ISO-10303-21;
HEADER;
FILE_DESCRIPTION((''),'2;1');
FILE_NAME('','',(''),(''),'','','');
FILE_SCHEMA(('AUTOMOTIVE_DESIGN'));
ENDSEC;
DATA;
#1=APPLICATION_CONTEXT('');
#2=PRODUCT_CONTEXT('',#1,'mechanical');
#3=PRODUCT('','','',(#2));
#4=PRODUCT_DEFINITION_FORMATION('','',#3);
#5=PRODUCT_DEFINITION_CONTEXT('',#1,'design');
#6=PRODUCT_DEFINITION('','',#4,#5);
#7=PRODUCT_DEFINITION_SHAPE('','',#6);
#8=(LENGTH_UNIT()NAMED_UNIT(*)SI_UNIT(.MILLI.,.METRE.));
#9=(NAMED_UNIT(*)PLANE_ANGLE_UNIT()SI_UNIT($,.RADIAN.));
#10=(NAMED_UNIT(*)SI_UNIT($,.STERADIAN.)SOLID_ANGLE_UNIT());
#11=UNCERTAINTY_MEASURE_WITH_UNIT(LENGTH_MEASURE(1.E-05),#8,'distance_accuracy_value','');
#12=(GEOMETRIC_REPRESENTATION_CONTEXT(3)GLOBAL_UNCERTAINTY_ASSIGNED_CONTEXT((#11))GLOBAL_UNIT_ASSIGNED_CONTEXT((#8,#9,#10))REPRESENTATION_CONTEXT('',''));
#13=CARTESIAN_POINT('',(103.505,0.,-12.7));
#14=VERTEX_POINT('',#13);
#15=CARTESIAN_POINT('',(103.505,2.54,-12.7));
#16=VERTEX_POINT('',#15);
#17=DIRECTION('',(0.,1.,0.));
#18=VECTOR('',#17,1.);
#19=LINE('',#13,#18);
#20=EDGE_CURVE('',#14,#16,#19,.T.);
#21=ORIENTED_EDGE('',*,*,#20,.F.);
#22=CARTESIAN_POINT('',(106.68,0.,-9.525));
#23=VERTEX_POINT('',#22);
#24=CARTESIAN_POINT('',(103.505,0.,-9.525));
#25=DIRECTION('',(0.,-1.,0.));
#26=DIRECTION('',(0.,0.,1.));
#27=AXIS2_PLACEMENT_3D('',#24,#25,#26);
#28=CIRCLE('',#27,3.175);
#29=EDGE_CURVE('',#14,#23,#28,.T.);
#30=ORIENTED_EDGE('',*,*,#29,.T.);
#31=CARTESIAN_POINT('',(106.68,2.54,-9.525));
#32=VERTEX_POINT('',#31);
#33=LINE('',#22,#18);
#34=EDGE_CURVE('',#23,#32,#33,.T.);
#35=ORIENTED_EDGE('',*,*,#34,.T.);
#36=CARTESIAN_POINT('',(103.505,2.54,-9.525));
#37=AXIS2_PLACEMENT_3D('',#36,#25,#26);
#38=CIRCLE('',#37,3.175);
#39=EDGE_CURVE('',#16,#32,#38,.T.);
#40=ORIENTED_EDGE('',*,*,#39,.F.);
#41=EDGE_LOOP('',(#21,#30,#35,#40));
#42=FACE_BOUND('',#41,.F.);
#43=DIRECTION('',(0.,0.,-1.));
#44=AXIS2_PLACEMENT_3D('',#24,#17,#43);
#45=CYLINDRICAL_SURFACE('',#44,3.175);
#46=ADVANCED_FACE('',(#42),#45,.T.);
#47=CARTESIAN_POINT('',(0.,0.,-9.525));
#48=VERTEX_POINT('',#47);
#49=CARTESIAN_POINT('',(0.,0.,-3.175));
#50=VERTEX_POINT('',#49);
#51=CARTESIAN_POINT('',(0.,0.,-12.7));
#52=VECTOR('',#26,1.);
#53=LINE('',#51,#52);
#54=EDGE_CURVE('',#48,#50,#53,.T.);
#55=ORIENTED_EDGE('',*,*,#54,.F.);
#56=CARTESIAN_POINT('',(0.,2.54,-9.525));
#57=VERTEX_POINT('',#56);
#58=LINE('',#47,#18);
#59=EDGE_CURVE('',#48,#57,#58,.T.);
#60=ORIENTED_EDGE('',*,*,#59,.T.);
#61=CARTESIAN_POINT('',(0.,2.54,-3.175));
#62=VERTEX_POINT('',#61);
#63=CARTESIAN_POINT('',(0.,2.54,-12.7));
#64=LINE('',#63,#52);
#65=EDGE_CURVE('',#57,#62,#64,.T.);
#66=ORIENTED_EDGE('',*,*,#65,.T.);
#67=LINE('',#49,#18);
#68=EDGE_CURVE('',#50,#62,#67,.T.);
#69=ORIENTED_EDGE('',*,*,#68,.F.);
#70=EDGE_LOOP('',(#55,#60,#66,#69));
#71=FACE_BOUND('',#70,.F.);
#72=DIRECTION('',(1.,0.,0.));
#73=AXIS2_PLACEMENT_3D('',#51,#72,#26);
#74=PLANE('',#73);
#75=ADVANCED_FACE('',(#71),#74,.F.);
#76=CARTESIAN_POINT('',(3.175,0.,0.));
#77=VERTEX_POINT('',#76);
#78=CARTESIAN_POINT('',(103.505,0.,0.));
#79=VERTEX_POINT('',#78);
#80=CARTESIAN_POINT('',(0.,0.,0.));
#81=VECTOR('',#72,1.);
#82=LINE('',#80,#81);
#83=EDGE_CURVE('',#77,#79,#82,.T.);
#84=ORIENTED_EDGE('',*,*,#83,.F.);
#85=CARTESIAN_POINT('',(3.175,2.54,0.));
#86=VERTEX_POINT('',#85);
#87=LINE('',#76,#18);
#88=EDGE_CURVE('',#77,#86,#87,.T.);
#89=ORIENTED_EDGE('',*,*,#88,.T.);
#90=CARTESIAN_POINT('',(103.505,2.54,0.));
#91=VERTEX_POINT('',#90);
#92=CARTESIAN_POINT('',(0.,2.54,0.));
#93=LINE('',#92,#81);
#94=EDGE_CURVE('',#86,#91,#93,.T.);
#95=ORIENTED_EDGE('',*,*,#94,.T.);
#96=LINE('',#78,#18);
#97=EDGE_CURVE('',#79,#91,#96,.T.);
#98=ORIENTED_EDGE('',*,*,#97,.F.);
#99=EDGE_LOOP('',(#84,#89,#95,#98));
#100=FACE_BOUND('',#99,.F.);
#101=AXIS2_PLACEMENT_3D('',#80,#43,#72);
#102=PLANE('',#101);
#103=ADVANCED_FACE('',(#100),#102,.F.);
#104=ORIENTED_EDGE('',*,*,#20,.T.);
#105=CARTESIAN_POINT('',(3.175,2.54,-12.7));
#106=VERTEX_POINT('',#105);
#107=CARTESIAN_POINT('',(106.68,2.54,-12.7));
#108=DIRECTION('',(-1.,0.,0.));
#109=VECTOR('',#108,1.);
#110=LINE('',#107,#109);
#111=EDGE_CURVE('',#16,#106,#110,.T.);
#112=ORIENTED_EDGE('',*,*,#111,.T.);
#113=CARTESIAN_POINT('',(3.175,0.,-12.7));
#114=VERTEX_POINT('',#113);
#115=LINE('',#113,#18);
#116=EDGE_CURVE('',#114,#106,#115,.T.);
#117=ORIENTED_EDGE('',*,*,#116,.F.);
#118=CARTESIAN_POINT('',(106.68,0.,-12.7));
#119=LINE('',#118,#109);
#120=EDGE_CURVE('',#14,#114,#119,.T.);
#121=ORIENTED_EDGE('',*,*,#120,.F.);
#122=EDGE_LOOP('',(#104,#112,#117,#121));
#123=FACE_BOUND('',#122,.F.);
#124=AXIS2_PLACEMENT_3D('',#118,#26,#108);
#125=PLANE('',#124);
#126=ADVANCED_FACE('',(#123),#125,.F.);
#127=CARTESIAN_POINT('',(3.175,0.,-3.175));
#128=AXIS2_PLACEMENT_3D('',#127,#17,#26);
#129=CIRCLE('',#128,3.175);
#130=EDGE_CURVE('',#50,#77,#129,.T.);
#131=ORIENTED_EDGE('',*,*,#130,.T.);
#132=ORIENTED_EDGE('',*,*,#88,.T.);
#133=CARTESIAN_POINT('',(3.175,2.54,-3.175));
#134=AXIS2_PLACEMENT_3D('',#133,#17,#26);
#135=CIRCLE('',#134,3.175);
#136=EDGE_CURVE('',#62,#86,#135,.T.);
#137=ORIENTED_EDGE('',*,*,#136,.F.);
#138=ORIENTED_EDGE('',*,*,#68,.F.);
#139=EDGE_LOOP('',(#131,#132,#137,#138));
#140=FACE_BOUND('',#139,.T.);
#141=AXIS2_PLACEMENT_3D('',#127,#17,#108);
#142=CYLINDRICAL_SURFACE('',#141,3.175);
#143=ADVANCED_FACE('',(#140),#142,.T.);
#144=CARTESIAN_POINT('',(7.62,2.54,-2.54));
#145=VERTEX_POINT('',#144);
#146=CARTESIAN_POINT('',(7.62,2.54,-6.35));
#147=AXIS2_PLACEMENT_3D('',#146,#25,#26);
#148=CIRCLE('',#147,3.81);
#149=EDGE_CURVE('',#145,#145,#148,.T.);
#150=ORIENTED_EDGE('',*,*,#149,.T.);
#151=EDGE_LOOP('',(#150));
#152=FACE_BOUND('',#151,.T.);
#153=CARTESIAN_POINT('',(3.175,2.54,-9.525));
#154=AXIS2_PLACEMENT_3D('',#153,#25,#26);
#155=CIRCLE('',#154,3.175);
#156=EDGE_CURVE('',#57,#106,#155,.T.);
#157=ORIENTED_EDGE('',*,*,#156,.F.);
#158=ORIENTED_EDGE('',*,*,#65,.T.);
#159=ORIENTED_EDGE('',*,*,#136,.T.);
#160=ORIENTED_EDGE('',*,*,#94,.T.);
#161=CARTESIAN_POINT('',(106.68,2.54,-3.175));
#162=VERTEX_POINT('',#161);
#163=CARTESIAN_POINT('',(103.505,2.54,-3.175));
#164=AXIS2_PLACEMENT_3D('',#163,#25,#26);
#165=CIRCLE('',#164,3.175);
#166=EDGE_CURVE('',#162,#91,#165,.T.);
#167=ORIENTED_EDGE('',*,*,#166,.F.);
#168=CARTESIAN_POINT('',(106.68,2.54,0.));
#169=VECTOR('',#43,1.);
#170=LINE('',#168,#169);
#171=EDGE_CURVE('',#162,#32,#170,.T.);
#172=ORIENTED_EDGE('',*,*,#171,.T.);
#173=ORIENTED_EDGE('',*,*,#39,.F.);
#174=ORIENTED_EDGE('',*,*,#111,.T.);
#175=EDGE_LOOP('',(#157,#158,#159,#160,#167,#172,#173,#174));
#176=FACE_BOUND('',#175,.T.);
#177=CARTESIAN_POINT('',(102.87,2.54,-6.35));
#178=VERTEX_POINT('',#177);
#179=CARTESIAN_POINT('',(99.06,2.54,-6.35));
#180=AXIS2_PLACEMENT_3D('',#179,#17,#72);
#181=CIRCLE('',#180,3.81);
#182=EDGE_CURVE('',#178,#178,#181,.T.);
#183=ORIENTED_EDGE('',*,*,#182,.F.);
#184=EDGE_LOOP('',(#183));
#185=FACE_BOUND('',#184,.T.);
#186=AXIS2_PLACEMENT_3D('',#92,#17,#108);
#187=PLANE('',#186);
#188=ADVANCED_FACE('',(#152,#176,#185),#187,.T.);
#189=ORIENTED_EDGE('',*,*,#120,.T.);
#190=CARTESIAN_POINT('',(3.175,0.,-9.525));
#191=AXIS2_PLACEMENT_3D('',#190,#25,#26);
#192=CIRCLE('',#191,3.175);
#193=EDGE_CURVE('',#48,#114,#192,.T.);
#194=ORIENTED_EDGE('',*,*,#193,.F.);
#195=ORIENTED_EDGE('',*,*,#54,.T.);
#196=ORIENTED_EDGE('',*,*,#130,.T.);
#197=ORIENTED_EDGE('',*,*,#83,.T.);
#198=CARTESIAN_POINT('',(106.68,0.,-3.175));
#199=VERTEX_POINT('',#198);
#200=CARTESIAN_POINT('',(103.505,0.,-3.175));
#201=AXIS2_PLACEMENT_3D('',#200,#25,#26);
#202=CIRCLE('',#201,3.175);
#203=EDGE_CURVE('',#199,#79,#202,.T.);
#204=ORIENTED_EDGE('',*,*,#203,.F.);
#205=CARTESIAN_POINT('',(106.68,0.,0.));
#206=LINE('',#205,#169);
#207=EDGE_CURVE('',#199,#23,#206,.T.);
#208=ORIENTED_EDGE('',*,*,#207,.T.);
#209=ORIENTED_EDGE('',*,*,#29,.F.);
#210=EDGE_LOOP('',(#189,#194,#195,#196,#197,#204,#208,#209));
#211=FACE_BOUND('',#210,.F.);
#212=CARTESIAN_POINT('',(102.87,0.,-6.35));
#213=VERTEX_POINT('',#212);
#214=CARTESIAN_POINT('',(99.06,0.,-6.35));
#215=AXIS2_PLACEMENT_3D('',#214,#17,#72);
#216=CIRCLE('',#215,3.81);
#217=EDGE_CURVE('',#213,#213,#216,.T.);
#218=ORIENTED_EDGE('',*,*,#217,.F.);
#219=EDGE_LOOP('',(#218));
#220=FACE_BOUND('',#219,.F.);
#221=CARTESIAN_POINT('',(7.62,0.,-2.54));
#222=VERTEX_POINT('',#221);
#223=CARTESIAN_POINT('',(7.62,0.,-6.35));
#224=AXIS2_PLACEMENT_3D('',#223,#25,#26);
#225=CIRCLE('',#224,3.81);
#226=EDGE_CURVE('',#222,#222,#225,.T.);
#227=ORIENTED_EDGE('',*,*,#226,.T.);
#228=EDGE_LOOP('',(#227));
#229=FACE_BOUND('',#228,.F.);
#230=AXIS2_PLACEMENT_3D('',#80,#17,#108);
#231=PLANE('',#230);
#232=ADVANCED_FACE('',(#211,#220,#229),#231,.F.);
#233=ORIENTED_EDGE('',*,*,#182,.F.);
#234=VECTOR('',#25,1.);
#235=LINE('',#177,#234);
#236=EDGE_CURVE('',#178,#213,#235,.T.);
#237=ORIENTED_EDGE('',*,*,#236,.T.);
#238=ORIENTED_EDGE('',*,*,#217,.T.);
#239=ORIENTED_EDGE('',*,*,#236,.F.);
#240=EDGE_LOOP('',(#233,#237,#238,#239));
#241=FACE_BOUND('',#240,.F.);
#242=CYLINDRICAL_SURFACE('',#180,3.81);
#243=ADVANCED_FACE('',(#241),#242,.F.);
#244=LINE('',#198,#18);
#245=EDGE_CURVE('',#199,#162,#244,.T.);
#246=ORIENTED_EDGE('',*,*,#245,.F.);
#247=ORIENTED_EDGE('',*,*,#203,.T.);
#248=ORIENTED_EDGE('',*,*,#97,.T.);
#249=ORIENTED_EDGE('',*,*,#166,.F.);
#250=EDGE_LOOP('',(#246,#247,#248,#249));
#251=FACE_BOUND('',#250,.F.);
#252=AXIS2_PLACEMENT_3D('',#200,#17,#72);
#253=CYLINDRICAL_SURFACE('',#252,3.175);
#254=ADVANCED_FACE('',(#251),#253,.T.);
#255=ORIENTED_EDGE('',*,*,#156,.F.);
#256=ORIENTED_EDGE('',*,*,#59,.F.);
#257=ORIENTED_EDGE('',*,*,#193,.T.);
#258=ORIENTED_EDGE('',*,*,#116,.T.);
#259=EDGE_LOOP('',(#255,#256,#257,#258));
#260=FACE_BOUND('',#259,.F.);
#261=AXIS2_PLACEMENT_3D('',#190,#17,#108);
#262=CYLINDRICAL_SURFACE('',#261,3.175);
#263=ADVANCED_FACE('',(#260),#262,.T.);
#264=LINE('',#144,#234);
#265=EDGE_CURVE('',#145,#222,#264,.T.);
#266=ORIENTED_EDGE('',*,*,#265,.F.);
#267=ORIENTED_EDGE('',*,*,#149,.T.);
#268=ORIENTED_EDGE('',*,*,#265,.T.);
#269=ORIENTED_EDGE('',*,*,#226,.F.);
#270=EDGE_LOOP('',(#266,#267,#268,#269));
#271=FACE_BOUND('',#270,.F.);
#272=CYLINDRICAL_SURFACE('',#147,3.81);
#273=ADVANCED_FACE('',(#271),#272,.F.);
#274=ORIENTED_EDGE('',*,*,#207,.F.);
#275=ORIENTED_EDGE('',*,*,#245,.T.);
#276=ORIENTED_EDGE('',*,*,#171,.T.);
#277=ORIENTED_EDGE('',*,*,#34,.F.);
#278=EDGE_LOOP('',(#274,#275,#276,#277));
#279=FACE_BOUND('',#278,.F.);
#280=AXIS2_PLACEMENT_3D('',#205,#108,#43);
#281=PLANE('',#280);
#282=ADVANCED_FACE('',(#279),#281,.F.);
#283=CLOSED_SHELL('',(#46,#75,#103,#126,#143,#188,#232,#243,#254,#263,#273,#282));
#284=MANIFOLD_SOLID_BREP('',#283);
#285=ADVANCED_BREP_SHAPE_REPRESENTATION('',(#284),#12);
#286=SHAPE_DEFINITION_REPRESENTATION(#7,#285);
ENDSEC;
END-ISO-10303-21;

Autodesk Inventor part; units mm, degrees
ref_plane "YZ Plane" through (0, 0, 0) normal (1, 0, 0) x (0, 1, 0)
ref_plane "XZ Plane" through (0, 0, 0) normal (0, 1, 0) x (-1, 0, 0)
ref_plane "XY Plane" through (0, 0, 0) normal (0, 0, 1) x (1, 0, 0)
sketch "Sketch1" plane through (0, 0, 0) normal (0, 1, 0) x (-1, 0, 0)
  line L0 (0, 0) -> (-106.68, 0)
  line L1 (-106.68, 0) -> (-106.68, -12.7)
  line L2 (-106.68, -12.7) -> (0, -12.7)
  line L3 (0, -12.7) -> (0, 0)
  dimension "d0" = 106.68
  dimension "d1" = 12.7
extrude "Extrusion1" add sketch "Sketch1" along normal blind 2.54
fillet "Fillet1" radius 3.175 4 edges at (106.68, 1.27, 0) (106.68, 1.27, -12.7) (0, 1.27, 0) (0, 1.27, -12.7)
sketch "Sketch2" plane through (0, 2.54, 0) normal (0, 1, 0) x (1, 0, 0)
  line L0 (106.68, 3.175) -> (106.68, 9.525) projected
  line L1 (106.68, 6.35) -> (99.06, 6.35)
  line L2 (0, 6.35) -> (7.62, 6.35)
  circle A0 centre (99.06, 6.35) radius 3.81
  circle A1 centre (7.62, 6.35) radius 3.81
  point P0 (0, 0)
  dimension "d5" = 7.62
  dimension "d6" = 7.62
  dimension "d7" = 7.62
  dimension "d8" = 7.62
extrude "Extrusion2" cut sketch "Sketch2" against normal blind 2.54 contours A0
sketch "Sketch3" plane through (0, 2.54, 0) normal (0, 1, 0) x (1, 0, 0)
  line L0 (0, 9.525) -> (0, 3.175) projected
  line L1 (0, 6.35) -> (7.62, 6.35)
  circle A0 centre (7.62, 6.35) radius 3.81
  point P0 (0, 0)
  dimension "d11" = 7.62
  dimension "d12" = 7.62
hole "Hole1" at (7.62, 2.54, -6.35) direction (0, -1, 0) diameter 7.62 end through all
properties part number "Side Rod V1"
